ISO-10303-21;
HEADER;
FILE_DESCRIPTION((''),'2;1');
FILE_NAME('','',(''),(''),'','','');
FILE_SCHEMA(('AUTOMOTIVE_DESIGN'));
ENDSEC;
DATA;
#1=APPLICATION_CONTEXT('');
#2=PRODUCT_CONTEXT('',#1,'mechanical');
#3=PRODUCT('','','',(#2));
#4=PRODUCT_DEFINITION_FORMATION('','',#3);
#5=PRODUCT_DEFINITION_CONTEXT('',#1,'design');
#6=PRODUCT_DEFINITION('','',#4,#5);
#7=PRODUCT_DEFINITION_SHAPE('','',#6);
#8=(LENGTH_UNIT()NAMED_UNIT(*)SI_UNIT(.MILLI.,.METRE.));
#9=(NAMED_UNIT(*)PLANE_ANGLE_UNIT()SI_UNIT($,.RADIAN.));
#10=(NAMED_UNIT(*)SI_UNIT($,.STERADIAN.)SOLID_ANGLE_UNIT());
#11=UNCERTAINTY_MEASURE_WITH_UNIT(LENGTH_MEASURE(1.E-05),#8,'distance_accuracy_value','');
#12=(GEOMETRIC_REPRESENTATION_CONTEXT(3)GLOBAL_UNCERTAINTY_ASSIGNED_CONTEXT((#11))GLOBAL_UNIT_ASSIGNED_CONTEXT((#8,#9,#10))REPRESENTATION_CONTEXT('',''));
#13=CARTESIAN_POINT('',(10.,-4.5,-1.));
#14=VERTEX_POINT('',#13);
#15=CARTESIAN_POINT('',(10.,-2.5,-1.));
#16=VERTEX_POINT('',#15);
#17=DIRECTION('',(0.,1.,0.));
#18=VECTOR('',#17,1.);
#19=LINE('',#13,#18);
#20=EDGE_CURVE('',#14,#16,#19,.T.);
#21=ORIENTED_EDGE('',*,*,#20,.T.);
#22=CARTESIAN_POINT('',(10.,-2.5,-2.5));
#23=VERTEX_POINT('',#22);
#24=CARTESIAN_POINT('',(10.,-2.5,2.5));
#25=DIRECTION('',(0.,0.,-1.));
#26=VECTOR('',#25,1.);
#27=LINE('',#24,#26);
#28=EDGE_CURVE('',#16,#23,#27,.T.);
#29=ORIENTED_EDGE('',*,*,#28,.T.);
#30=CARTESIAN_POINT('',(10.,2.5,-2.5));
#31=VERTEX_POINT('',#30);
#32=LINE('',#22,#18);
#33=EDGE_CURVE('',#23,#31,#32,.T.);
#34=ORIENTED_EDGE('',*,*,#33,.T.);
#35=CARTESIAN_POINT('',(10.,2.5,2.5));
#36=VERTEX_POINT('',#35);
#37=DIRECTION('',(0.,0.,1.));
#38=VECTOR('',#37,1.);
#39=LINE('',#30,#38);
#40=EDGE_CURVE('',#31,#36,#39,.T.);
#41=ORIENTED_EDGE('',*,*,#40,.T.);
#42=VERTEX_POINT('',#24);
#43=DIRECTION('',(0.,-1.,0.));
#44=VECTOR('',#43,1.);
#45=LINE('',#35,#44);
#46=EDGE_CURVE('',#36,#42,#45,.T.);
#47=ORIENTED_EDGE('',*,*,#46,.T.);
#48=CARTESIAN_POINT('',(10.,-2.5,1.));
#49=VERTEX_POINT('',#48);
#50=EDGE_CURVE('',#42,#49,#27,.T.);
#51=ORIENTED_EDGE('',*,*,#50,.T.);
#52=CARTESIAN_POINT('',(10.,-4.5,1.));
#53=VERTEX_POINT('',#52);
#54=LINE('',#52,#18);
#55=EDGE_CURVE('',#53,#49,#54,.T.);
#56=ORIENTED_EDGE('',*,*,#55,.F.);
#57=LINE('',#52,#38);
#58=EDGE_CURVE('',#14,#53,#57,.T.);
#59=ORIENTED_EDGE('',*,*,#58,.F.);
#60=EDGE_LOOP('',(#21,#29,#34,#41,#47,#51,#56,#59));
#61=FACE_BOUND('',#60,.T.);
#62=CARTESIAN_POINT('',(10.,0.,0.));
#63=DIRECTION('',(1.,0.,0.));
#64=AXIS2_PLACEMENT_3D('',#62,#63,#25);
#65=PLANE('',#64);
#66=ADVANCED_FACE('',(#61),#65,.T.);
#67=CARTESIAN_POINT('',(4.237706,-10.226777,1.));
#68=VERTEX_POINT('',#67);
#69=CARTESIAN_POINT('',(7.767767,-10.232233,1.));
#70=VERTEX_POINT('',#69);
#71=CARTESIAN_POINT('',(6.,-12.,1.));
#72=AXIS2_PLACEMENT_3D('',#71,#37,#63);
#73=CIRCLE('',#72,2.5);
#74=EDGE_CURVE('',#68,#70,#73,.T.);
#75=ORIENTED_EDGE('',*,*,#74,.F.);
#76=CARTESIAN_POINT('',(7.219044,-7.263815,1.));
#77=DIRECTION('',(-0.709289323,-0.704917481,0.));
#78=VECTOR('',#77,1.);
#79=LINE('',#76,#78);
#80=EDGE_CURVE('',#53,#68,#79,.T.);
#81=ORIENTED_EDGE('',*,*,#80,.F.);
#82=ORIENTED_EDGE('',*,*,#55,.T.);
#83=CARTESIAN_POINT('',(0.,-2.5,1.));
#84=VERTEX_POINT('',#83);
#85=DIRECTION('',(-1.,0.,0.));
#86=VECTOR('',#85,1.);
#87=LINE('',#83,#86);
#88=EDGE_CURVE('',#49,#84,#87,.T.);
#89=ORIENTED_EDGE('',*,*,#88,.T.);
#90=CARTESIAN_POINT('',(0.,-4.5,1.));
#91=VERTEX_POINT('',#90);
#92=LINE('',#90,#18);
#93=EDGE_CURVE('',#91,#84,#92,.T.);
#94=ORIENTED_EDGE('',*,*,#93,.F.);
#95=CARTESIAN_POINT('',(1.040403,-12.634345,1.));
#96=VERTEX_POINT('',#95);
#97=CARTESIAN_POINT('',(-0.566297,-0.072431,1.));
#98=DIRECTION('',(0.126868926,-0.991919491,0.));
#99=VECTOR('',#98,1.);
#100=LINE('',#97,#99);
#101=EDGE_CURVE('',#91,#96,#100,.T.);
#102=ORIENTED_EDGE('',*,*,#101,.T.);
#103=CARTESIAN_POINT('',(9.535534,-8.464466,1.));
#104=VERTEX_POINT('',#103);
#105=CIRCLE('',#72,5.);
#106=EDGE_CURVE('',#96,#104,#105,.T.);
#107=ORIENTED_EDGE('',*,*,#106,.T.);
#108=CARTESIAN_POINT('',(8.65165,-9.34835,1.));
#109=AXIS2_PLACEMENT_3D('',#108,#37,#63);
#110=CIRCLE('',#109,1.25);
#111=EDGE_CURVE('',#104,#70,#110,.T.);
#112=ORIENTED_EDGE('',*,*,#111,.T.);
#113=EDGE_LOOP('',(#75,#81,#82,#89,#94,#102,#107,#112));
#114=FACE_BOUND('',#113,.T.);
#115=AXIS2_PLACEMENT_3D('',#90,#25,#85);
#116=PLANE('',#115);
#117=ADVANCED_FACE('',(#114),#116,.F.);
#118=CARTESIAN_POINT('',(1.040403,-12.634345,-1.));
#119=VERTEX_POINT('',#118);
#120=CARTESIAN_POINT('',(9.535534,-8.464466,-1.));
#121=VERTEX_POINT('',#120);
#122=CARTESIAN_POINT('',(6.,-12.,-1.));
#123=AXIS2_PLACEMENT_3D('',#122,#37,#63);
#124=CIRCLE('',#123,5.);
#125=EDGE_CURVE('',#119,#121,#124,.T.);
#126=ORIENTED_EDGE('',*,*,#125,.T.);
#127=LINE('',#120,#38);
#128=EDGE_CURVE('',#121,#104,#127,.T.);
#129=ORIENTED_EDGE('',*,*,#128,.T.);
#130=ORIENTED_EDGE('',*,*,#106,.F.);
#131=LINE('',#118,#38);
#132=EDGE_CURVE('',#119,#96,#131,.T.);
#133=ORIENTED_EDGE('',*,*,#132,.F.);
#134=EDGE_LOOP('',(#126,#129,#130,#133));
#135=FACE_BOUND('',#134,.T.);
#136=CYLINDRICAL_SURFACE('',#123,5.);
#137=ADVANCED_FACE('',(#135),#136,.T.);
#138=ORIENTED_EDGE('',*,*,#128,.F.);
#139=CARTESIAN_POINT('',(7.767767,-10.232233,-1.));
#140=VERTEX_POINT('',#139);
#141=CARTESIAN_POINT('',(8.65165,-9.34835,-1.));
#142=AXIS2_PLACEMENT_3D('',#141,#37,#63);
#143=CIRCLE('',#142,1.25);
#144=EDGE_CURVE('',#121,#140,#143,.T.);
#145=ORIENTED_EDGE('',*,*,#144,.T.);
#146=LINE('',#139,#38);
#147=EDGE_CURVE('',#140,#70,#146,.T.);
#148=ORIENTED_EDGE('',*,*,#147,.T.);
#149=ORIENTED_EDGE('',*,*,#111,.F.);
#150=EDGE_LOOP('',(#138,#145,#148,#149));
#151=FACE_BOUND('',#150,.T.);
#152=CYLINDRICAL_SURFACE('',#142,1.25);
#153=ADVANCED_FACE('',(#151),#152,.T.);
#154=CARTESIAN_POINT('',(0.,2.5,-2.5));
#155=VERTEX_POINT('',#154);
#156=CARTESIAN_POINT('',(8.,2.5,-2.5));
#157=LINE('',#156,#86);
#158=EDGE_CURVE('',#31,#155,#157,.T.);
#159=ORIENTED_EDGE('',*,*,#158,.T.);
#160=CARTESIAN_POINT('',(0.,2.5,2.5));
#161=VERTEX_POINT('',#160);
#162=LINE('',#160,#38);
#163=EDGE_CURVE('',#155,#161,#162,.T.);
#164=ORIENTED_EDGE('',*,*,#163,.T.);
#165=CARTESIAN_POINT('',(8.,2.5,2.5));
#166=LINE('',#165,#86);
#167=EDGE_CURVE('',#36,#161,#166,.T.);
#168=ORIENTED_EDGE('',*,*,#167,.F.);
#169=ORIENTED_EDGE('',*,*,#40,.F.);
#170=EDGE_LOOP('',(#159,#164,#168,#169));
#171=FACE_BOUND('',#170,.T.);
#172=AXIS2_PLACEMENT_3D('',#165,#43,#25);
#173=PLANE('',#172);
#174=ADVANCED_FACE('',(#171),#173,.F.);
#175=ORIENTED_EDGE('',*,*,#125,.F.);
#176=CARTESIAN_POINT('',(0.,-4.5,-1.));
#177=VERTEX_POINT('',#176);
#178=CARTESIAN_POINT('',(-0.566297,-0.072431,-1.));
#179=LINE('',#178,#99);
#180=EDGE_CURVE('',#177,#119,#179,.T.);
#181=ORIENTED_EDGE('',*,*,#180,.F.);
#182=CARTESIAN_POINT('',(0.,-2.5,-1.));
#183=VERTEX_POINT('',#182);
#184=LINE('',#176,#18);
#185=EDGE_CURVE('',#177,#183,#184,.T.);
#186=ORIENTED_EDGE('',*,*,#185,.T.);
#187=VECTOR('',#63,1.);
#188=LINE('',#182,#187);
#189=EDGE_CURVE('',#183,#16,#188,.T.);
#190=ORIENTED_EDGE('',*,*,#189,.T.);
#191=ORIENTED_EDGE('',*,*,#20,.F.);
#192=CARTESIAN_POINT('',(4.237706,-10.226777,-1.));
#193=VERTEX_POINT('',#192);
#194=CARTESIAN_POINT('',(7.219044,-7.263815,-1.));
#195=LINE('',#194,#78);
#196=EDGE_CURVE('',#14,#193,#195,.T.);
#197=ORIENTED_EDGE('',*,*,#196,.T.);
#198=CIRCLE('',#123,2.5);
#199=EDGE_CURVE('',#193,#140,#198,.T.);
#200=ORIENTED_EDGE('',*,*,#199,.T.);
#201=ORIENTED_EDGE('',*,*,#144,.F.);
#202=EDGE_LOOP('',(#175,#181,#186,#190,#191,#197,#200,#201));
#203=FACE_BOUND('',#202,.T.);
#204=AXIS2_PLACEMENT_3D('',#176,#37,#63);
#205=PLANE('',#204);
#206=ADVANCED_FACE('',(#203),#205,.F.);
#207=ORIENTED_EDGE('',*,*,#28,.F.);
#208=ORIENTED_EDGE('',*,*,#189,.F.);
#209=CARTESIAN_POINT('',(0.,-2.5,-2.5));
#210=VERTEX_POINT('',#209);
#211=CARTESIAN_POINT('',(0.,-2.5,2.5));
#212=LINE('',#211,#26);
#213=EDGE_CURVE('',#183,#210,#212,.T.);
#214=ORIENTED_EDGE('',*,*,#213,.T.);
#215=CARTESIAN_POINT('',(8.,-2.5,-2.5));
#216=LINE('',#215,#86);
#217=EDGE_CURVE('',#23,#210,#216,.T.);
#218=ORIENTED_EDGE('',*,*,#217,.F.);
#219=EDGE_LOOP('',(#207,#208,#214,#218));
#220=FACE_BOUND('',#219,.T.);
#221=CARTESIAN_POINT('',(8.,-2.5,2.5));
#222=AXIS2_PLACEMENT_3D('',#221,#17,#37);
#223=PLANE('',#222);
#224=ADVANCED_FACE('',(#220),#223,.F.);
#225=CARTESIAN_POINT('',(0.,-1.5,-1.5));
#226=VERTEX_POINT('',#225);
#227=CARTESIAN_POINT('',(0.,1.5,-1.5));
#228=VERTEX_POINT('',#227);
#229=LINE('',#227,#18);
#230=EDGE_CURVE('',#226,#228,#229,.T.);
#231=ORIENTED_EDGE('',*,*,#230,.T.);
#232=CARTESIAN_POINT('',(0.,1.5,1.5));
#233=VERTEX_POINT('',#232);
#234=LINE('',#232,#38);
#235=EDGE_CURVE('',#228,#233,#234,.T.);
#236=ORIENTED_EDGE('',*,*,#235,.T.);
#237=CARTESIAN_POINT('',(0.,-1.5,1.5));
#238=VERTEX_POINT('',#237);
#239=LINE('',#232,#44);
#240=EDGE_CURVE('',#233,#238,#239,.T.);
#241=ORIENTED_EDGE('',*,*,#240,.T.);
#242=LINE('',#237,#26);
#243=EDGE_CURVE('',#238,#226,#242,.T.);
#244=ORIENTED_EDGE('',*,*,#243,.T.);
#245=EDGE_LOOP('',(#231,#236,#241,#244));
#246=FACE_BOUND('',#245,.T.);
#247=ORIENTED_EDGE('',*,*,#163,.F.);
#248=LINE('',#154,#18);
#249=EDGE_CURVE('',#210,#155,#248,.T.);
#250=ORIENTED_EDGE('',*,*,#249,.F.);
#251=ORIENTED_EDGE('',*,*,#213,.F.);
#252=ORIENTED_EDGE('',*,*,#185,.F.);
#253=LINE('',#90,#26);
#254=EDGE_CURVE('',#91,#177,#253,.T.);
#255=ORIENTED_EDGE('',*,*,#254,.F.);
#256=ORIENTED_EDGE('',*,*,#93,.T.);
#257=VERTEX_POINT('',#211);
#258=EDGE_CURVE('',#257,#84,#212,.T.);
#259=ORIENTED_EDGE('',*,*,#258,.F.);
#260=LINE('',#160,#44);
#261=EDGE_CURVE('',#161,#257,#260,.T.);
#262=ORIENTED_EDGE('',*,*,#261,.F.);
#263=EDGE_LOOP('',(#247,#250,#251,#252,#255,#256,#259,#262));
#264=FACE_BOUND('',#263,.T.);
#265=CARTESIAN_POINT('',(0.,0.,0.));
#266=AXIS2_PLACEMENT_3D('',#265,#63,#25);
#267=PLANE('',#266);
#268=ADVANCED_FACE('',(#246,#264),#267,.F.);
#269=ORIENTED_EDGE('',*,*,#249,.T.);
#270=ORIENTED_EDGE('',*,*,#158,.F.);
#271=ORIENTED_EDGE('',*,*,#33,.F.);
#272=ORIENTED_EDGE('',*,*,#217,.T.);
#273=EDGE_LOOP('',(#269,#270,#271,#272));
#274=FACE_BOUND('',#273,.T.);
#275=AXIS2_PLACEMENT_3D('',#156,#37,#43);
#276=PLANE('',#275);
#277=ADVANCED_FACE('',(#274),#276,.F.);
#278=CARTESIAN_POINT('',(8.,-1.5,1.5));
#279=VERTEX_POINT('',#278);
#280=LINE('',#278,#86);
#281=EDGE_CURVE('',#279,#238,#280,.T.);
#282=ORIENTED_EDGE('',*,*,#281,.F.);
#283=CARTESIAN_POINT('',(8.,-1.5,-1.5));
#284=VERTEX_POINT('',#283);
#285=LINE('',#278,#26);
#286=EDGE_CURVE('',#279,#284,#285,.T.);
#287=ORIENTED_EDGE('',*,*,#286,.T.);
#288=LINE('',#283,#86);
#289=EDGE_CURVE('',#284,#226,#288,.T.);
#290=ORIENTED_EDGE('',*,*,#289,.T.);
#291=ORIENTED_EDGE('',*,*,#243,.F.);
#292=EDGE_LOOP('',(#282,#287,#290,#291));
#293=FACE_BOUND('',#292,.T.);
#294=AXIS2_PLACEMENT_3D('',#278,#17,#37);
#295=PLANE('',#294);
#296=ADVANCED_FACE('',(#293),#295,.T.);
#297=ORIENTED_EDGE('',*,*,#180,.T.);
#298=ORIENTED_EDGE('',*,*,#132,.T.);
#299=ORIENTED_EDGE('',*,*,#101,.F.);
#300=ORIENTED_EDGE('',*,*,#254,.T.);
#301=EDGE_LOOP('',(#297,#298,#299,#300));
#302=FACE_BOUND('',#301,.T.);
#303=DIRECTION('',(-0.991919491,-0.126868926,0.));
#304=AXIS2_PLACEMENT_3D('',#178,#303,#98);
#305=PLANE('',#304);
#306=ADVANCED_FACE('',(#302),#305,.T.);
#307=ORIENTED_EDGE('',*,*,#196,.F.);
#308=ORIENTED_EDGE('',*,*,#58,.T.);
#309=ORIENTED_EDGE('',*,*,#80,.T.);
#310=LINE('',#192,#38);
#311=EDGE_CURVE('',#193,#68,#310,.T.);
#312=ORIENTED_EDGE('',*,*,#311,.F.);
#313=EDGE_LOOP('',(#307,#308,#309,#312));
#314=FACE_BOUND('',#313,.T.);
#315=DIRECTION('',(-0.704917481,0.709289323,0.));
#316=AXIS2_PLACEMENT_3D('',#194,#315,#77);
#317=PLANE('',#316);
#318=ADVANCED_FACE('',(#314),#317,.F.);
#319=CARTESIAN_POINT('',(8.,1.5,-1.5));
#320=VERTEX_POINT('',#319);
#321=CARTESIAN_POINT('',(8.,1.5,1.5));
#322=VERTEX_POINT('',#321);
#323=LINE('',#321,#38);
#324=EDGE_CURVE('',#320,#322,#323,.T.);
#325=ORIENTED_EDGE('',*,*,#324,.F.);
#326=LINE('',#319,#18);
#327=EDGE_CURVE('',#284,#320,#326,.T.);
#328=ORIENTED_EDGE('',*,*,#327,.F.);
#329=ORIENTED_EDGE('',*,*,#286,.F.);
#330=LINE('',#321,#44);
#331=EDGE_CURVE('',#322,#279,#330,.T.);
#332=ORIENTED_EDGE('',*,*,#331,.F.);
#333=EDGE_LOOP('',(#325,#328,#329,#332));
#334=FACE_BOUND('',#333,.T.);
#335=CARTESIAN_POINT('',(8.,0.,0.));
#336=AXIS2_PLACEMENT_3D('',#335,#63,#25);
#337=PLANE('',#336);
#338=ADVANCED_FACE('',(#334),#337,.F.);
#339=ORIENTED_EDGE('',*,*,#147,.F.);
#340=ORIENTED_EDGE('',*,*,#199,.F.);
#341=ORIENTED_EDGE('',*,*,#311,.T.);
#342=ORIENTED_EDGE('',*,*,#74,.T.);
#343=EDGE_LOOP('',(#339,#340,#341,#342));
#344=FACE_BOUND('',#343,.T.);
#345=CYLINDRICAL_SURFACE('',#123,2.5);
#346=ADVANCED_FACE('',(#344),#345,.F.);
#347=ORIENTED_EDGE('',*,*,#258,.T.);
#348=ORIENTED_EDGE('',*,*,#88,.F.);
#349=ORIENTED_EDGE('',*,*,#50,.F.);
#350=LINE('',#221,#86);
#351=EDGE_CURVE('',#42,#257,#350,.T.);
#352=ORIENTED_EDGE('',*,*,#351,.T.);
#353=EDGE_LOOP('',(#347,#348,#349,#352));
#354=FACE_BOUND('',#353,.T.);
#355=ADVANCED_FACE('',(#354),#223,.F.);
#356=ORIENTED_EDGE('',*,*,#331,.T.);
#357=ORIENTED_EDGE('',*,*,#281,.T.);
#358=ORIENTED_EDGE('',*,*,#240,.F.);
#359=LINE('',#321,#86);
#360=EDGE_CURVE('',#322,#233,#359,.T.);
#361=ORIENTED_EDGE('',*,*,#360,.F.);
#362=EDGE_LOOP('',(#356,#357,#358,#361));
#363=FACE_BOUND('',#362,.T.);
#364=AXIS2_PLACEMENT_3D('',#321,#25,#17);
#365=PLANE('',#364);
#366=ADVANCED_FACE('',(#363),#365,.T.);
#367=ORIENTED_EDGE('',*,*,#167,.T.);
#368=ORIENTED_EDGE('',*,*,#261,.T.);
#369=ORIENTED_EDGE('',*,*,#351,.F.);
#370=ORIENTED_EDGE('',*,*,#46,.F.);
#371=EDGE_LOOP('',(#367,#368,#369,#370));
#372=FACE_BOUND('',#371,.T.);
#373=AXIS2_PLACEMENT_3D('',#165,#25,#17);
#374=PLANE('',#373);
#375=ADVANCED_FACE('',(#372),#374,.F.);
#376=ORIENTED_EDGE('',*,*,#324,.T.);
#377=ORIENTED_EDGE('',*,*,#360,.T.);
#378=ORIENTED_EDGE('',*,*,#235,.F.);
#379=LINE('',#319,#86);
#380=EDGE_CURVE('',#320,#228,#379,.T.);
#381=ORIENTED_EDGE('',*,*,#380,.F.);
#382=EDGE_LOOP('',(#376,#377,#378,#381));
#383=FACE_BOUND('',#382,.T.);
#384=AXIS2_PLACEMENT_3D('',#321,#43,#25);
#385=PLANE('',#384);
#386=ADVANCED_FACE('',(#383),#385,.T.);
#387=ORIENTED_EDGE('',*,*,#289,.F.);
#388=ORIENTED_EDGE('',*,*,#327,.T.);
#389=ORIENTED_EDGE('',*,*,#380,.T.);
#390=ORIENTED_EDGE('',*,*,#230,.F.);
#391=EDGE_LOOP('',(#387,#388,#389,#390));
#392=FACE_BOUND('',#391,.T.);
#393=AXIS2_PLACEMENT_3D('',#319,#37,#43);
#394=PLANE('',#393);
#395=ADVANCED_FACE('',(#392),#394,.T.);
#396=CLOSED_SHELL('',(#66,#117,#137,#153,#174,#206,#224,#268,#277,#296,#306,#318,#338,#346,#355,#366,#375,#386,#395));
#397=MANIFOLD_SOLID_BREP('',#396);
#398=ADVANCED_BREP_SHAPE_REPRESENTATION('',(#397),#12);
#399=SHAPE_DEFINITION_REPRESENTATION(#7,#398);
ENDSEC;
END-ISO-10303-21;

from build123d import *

# Parameters (mm, degrees)
SKETCH_1_W      = 5
SKETCH_1_H      = 5
SKETCH_1_W_2    = 3
SKETCH_1_H_2    = 3
EXTRUDE_1_DEPTH = 8
SKETCH_2_W      = 5
SKETCH_2_H      = 5
EXTRUDE_2_DEPTH = 2
SKETCH_3_W      = 10
SKETCH_3_H      = 2
EXTRUDE_3_DEPTH = 2
EXTRUDE_4_DEPTH = 2


with BuildPart() as part:
    # 草图1 → 凸台-拉伸1 (new body)
    with BuildSketch(Plane(origin=(0, 0, 0), x_dir=(0, 0, -1), z_dir=(1, 0, 0))):
        Rectangle(SKETCH_1_W, SKETCH_1_H)
        Rectangle(SKETCH_1_W_2, SKETCH_1_H_2, mode=Mode.SUBTRACT)
    extrude(amount=EXTRUDE_1_DEPTH)

    # 草图2 → 凸台-拉伸2 (add)
    with BuildSketch(Plane(origin=(8, 0, 0), x_dir=(0, 0, -1), z_dir=(1, 0, 0))):
        Rectangle(SKETCH_2_W, SKETCH_2_H)
    extrude(amount=EXTRUDE_2_DEPTH)

    # 草图3 → 凸台-拉伸3 (add)
    with BuildSketch(Plane.XZ.offset(2.5)):
        with Locations((5, 0)):
            Rectangle(SKETCH_3_W, SKETCH_3_H)
    extrude(amount=EXTRUDE_3_DEPTH)

    # 草图4 → 凸台-拉伸4 (add)
    with BuildSketch(Plane.XY.offset(1)):
        with BuildLine():
            Line((10, -4.5), (0, -4.5))
            Line((0, -4.5), (1.040402547, -12.634344629))
            ThreePointArc((1.040402547, -12.634344629), (8.203170669, -16.488433915), (9.535533906, -8.464466094))
            ThreePointArc((9.535533906, -8.464466094), (7.767766953, -8.464466094), (7.767766953, -10.232233047))
            ThreePointArc((7.767766953, -10.232233047), (5.996135796, -14.499997014), (4.237706296, -10.226776691))
            Line((4.237706296, -10.226776691), (7.30901916, -7.174394459))
            Line((7.30901916, -7.174394459), (10, -4.5))
        make_face()
    extrude(amount=-EXTRUDE_4_DEPTH)


solid = part.part
